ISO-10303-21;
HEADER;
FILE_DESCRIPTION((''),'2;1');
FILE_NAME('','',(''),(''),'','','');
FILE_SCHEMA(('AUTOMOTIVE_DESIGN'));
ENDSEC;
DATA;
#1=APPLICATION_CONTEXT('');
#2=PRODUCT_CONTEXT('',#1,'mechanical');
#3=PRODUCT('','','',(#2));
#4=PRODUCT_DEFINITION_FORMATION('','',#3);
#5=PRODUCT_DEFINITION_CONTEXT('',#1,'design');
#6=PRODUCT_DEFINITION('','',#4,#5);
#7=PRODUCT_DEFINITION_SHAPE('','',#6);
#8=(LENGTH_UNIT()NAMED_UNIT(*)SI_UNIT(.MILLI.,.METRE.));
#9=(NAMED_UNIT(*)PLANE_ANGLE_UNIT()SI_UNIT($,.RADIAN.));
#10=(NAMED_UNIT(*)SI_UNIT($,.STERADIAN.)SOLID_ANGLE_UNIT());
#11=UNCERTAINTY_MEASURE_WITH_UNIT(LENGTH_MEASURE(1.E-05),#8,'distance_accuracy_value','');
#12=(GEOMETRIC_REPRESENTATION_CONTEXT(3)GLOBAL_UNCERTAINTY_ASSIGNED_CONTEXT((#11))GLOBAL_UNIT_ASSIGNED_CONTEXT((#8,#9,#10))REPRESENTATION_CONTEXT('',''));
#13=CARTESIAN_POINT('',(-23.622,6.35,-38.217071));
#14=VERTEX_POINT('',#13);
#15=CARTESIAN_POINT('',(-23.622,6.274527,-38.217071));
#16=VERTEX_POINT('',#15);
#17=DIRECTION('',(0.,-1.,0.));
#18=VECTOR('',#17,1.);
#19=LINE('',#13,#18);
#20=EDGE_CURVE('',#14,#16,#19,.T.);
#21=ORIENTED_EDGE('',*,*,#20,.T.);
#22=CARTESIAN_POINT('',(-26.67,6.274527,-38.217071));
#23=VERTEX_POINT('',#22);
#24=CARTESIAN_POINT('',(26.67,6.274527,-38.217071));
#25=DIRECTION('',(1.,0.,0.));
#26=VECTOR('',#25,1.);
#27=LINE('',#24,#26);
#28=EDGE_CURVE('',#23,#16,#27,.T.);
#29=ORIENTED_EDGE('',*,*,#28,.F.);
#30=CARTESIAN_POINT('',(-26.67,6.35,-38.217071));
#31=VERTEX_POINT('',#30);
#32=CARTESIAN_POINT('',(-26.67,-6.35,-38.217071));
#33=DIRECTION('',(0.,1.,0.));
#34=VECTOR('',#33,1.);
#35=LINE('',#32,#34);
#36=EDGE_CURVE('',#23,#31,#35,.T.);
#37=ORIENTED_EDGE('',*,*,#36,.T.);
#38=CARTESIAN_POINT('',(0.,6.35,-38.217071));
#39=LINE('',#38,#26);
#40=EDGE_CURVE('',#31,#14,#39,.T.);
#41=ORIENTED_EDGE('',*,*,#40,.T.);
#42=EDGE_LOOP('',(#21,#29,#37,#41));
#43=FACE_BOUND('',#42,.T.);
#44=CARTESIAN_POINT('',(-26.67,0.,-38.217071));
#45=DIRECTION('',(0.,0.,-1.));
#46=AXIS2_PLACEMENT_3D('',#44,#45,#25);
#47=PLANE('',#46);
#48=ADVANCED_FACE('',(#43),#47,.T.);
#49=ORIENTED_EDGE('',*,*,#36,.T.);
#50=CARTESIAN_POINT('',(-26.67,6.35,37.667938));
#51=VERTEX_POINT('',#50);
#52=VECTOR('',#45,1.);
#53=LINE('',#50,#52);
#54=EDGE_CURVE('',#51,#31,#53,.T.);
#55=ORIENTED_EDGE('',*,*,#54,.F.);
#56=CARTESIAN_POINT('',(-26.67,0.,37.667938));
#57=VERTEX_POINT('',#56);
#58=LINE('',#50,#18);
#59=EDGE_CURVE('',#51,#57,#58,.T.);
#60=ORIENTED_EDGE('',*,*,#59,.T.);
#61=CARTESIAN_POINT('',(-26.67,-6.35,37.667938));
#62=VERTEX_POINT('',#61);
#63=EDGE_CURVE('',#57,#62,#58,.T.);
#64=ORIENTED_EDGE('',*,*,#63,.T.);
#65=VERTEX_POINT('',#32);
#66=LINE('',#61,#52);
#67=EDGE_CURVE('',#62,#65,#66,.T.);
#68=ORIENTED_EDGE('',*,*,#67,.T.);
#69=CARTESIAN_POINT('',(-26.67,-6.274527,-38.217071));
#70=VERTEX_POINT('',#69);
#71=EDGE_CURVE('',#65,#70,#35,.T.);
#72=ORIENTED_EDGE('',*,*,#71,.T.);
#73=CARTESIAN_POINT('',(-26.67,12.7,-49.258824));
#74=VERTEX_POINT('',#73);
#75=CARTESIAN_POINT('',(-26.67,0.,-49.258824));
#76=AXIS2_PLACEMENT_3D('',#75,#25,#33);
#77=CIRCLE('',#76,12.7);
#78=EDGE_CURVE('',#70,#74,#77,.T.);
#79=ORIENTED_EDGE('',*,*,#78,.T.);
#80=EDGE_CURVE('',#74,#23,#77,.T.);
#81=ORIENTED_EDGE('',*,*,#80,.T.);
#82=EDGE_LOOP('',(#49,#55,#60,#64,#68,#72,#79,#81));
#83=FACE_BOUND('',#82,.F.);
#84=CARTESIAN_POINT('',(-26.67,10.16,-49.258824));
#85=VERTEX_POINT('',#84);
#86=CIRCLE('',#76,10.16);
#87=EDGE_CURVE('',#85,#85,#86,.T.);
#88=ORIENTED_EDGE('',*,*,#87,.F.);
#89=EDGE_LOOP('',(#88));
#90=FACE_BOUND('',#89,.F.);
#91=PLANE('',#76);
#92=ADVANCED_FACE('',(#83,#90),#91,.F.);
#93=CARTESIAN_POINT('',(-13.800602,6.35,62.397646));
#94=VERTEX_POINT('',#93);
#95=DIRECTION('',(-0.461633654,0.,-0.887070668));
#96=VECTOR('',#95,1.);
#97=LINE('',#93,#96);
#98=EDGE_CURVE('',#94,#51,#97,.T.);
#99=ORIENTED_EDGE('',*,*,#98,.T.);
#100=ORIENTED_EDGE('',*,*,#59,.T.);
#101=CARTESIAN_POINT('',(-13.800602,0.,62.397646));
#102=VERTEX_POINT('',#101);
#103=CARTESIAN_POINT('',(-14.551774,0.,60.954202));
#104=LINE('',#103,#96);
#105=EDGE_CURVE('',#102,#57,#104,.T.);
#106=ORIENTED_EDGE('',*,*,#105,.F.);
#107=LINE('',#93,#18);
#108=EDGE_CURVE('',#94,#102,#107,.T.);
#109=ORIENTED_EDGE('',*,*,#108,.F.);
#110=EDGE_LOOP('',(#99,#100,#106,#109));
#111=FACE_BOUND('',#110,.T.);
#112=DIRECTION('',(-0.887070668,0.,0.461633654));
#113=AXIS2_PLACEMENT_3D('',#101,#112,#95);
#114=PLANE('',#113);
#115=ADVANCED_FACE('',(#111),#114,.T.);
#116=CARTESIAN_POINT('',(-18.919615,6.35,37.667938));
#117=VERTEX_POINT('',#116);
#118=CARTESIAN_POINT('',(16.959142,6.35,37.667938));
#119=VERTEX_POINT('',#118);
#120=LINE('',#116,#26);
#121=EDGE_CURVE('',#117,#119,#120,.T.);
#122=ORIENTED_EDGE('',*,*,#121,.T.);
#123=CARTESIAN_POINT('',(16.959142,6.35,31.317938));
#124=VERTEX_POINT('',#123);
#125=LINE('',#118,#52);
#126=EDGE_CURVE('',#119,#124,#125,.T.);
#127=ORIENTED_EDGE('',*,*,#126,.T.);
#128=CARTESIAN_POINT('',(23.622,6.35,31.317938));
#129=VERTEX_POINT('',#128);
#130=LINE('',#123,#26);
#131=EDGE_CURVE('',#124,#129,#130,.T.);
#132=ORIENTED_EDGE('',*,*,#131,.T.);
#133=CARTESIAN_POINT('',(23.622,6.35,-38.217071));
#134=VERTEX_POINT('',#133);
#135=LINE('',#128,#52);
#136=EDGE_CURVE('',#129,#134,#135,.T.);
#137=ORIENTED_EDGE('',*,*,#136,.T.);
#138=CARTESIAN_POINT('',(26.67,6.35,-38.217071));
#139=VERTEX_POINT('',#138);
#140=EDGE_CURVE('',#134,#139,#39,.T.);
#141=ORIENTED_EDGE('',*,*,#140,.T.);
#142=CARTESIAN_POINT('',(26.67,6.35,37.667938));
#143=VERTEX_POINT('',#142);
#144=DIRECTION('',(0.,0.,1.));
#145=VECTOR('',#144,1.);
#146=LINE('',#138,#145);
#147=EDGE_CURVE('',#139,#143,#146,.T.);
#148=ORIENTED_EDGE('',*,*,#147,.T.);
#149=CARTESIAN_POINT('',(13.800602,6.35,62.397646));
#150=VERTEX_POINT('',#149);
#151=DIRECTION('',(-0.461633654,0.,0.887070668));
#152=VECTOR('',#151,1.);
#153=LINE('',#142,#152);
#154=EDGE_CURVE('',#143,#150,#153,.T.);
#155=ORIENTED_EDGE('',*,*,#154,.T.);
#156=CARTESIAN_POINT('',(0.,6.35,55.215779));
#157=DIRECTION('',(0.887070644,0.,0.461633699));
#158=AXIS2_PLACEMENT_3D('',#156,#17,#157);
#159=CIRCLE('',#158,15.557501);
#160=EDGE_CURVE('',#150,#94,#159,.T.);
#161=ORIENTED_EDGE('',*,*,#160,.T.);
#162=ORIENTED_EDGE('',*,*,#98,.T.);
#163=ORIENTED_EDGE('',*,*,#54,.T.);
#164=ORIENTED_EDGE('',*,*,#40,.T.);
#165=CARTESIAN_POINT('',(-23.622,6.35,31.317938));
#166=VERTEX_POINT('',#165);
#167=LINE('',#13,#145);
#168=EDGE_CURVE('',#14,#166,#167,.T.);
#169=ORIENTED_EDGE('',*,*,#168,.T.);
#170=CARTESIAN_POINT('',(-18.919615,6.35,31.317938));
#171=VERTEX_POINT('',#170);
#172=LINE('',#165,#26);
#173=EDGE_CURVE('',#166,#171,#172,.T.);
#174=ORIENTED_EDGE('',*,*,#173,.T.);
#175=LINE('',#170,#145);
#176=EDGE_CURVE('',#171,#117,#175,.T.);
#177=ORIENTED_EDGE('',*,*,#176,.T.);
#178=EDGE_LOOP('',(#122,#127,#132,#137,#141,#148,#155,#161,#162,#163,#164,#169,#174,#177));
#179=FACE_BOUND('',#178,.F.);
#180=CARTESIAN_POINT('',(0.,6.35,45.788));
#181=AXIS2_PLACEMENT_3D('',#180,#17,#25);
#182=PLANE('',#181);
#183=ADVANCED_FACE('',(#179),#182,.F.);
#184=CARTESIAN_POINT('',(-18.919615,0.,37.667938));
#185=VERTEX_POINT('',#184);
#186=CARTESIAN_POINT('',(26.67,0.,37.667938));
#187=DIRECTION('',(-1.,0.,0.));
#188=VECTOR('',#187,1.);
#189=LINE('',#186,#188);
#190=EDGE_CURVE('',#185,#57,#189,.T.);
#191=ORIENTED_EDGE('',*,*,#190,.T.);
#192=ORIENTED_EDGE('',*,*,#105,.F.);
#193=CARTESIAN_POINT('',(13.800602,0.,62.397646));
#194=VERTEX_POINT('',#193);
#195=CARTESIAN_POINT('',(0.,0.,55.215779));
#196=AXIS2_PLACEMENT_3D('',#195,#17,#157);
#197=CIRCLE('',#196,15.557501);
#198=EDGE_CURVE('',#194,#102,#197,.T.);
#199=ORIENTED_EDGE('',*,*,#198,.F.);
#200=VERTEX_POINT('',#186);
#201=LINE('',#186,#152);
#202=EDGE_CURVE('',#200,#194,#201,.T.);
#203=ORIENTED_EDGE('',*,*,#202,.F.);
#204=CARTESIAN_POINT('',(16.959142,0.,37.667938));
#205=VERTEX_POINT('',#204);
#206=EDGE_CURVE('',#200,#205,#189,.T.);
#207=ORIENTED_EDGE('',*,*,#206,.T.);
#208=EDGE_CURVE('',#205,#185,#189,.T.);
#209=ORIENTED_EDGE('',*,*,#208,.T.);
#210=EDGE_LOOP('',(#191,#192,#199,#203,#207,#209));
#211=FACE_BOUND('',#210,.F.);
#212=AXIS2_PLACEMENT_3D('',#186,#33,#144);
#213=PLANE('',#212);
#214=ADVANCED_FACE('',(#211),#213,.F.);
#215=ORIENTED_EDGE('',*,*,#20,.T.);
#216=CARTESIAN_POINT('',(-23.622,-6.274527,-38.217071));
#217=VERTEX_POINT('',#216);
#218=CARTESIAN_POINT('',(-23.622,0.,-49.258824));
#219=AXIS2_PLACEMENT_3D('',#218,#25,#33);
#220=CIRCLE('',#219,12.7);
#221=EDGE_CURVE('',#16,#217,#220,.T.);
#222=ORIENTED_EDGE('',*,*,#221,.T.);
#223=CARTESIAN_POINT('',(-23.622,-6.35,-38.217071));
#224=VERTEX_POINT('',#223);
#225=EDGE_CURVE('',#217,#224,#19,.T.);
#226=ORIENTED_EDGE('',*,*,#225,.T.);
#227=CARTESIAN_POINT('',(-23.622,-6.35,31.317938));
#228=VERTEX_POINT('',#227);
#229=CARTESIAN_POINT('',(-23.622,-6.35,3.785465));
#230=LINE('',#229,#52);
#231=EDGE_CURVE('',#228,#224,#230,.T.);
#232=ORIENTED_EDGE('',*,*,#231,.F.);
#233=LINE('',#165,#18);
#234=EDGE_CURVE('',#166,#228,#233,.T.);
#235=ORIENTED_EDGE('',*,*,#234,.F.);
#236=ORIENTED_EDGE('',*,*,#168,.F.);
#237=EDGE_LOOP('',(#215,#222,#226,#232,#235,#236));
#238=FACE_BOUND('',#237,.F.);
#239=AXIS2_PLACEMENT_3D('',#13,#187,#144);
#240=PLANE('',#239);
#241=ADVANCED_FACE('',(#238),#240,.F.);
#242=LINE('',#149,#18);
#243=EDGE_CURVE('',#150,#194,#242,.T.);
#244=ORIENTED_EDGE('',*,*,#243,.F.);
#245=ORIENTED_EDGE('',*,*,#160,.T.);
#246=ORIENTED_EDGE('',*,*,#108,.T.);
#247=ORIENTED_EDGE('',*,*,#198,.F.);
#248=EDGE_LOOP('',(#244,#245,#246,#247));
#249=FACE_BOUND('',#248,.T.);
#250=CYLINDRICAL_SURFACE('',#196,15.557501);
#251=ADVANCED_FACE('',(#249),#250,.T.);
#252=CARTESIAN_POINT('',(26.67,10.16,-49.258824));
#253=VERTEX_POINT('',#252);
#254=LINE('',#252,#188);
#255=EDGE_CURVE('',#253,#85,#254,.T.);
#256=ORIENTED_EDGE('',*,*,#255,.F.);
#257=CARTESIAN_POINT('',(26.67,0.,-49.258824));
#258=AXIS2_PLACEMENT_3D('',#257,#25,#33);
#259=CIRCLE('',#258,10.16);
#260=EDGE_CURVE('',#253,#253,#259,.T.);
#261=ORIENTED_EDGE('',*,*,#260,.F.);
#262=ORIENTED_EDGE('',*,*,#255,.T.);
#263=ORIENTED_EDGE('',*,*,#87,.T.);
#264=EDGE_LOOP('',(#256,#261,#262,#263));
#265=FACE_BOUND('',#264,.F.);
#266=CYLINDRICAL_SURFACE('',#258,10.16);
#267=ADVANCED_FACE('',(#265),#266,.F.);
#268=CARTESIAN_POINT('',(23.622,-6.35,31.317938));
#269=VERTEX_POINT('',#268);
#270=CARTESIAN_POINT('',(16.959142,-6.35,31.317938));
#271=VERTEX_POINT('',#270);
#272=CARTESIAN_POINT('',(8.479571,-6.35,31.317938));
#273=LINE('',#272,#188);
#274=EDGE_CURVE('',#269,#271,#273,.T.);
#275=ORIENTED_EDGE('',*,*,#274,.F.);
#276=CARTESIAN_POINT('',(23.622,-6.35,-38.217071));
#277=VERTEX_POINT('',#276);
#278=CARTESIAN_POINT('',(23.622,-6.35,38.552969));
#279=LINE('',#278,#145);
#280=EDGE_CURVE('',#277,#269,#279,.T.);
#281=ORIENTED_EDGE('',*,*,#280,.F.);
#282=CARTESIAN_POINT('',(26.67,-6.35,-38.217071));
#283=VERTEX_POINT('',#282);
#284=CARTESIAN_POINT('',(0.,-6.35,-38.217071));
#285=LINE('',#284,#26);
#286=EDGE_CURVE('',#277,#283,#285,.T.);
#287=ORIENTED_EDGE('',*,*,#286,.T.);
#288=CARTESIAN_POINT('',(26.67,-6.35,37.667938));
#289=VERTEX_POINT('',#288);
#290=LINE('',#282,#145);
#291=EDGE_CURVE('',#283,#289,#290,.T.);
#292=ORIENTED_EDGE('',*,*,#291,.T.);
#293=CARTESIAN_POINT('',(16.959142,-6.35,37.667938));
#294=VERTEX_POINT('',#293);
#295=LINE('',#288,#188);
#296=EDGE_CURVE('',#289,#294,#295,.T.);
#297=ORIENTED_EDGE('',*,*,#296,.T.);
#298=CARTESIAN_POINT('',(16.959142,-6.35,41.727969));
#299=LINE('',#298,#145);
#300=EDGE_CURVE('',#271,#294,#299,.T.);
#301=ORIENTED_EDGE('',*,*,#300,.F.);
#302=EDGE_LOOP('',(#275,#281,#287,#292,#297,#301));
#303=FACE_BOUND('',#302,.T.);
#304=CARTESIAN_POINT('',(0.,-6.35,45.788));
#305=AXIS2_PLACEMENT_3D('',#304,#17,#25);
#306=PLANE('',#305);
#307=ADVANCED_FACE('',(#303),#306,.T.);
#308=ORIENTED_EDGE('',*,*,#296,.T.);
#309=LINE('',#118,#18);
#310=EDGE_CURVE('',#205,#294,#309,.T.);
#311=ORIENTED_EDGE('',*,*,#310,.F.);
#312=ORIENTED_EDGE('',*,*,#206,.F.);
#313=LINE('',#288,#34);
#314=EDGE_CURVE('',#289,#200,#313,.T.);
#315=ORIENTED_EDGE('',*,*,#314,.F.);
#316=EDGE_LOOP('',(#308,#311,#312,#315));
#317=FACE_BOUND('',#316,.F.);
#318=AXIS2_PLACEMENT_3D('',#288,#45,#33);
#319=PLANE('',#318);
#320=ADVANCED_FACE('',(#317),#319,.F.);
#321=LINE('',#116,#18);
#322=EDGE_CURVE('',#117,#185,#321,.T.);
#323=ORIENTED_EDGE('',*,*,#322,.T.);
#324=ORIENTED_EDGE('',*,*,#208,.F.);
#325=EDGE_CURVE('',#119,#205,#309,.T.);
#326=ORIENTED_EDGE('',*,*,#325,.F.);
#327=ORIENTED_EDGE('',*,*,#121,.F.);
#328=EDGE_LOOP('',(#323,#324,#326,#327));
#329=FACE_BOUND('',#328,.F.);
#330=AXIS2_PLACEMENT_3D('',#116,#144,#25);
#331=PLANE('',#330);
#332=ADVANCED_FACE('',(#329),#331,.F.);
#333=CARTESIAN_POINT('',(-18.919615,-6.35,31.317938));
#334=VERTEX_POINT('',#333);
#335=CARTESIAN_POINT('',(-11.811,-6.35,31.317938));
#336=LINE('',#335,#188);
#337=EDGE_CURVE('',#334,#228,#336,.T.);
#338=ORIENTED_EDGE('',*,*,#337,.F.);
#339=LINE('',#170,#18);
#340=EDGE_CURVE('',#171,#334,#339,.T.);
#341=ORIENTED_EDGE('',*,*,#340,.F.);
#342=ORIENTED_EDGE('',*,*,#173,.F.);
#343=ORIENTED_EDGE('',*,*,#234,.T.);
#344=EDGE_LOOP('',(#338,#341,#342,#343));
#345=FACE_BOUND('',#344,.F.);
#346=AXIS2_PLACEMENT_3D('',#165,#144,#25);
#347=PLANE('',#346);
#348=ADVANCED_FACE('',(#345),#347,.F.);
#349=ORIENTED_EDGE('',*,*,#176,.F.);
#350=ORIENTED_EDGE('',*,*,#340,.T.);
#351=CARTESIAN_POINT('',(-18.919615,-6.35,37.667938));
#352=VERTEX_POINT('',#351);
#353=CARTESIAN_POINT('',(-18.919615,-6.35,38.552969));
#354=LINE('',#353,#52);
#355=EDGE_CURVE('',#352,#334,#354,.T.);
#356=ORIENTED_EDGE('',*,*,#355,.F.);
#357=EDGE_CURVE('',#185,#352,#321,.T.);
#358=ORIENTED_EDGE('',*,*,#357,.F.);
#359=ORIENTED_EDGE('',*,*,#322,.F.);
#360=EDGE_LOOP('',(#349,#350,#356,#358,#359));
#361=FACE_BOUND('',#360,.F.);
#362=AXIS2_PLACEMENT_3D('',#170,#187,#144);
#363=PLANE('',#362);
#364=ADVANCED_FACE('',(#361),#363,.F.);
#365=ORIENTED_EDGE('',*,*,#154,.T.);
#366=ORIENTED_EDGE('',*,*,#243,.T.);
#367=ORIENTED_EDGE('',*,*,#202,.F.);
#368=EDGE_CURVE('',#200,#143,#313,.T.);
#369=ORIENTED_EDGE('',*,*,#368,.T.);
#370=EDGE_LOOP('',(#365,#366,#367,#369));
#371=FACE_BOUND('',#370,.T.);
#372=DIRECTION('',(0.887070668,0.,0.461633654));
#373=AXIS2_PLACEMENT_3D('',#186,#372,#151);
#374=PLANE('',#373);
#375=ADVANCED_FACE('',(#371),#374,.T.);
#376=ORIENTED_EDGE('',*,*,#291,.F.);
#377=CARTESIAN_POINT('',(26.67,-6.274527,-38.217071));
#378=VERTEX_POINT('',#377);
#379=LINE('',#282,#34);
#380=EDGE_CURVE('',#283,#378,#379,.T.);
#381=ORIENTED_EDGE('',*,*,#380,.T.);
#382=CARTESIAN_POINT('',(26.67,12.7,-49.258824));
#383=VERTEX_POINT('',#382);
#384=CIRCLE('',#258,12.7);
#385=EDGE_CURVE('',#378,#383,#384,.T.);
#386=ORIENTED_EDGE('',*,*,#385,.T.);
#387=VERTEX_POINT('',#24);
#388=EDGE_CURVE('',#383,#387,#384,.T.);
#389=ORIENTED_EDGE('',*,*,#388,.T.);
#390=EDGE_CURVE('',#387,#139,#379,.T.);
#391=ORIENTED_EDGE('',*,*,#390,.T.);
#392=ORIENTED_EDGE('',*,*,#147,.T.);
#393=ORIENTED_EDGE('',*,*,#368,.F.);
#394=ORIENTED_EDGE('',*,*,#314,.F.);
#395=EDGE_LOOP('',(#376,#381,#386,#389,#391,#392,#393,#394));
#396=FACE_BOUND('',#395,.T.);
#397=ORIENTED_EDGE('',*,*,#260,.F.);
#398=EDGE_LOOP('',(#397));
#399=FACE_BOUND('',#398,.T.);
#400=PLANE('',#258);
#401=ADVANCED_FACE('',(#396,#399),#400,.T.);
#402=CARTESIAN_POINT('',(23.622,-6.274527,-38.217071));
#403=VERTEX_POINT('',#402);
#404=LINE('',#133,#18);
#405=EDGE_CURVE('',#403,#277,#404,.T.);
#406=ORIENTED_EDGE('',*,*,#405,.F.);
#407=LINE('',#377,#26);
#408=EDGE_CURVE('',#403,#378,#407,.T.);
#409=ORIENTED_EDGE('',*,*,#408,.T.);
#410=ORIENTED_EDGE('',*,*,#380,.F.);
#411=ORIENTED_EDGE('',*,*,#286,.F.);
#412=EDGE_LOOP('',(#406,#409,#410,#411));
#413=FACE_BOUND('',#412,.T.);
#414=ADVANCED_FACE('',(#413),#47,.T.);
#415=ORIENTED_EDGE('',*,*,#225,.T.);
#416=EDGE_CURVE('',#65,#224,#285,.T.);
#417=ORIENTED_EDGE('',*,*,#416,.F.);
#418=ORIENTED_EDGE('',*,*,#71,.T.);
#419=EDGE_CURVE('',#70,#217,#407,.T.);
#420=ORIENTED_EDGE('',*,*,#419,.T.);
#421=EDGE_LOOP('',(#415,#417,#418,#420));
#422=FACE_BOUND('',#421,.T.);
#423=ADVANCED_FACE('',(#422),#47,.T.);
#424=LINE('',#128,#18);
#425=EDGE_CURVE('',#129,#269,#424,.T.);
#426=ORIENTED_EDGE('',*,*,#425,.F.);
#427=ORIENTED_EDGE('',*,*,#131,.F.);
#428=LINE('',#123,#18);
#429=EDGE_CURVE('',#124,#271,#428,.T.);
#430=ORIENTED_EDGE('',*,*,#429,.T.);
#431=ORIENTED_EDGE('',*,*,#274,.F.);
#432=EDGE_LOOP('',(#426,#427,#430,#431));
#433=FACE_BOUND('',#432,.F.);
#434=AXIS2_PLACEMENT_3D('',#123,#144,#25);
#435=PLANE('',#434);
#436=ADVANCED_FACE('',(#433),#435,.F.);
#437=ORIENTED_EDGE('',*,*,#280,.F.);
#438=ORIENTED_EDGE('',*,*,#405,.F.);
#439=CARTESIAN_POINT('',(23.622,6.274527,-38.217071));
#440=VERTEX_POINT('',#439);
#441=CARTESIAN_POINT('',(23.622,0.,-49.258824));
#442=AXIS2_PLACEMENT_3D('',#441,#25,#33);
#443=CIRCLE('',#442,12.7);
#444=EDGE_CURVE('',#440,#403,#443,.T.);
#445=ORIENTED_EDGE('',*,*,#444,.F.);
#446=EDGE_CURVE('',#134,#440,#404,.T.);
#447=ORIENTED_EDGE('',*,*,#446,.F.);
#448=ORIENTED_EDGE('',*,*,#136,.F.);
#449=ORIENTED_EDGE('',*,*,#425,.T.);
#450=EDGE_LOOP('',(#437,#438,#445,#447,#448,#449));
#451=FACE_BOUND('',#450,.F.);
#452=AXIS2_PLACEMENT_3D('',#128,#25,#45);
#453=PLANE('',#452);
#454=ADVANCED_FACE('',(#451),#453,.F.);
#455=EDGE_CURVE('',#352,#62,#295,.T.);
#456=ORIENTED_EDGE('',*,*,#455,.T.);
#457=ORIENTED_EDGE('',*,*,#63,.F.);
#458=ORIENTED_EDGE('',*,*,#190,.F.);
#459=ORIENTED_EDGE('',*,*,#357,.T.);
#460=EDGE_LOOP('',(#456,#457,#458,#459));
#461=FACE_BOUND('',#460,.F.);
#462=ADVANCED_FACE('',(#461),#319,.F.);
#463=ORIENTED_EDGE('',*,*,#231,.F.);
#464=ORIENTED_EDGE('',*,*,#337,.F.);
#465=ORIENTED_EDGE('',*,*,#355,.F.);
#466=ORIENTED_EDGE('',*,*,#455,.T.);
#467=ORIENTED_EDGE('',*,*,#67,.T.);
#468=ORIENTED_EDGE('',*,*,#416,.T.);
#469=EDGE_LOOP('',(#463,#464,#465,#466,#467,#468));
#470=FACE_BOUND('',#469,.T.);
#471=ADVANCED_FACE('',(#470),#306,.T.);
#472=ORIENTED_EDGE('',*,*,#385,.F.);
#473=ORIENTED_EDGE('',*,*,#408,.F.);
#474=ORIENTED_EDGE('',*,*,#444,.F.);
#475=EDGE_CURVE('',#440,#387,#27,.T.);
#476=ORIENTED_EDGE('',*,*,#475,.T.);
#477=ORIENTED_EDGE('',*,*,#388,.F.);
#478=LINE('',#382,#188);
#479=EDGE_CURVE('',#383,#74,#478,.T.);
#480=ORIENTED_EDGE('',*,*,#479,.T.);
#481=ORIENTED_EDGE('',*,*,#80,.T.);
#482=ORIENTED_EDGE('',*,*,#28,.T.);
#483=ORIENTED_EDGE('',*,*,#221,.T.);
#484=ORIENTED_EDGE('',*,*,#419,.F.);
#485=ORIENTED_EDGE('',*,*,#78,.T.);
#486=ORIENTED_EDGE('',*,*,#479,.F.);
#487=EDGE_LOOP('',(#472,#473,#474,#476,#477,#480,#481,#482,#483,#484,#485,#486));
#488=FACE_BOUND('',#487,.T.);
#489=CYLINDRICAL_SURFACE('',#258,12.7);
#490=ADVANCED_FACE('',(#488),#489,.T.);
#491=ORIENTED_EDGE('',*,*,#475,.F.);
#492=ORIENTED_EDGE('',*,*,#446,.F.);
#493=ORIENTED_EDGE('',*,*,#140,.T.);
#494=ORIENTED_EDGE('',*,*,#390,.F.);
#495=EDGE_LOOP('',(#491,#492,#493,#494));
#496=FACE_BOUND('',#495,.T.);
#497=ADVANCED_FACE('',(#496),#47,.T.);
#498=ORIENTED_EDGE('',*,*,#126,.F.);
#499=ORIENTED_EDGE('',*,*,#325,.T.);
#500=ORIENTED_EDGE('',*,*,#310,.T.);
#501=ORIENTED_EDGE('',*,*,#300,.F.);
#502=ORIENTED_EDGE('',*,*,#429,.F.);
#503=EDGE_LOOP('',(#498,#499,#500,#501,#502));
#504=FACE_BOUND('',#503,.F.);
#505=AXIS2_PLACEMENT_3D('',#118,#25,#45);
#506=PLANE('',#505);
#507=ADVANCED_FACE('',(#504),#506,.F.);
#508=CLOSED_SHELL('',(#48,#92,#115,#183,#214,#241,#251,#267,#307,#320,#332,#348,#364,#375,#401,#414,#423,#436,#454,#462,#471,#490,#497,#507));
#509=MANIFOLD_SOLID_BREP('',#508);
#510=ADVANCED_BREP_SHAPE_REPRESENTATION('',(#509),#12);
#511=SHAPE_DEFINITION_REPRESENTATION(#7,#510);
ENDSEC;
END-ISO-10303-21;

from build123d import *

# Parameters (mm, degrees)
F0_W     = 53.34
F0_H     = 69.102946
F1_DEPTH = 6.35
F3_DEPTH = 25.4
F4_W     = 6.35
F4_H     = 38.1
F5_DEPTH = 63.5
F6_R     = 12.7
F7_DEPTH = 53.34
F8_R     = 10.16
F9_DEPTH = 53.34


with BuildPart() as f1:
    # F0 (on Front) → F1 (new body, symmetric)
    with BuildSketch(Plane.XZ):
        with BuildLine():
            Line((26.67, 37.667938), (13.800602, 62.397646))
            ThreePointArc((13.800602, 62.397646), (0, 70.77328), (-13.800602, 62.397646))
            Line((-13.800602, 62.397646), (-26.67, 37.667938))
            Line((-26.67, 37.667938), (-26.67, 30.885875))
            Line((-26.67, 30.885875), (26.67, 30.885875))
            Line((26.67, 30.885875), (26.67, 37.667938))
        make_face()
        with Locations((0, -3.665598)):
            Rectangle(F0_W, F0_H)
    extrude(amount=F1_DEPTH, both=True)

    # F2 (on face) → F3 (cut)
    with BuildSketch(Plane(origin=(0, 6.35, 0), x_dir=(-1, 0, 0), z_dir=(0, 1, 0))):
        Polygon((-23.622, 31.317938), (-23.622, -38.217071), (23.622, -38.217071), (23.622, 31.317938), (18.919615, 31.317938), (18.919615, 37.667938), (-16.959142, 37.667938), (-16.959142, 31.317938), align=None)
    extrude(amount=-F3_DEPTH, mode=Mode.SUBTRACT)

    # F4 (on face) → F5 (cut)
    with BuildSketch(Plane.YZ.offset(26.67)):
        with Locations((-3.175, 56.717938)):
            Rectangle(F4_W, F4_H)
    extrude(amount=-F5_DEPTH, mode=Mode.SUBTRACT)

    # F6 (on face) → F7 (join)
    with BuildSketch(Plane.YZ.offset(26.67)):
        with Locations((0, -49.258824)):
            Circle(F6_R)
    extrude(amount=-F7_DEPTH)

    # F8 (on face) → F9 (cut)
    with BuildSketch(Plane.YZ.offset(26.67)):
        with Locations((0, -49.258824)):
            Circle(F8_R)
    extrude(amount=-F9_DEPTH, mode=Mode.SUBTRACT)


solid = f1.part
